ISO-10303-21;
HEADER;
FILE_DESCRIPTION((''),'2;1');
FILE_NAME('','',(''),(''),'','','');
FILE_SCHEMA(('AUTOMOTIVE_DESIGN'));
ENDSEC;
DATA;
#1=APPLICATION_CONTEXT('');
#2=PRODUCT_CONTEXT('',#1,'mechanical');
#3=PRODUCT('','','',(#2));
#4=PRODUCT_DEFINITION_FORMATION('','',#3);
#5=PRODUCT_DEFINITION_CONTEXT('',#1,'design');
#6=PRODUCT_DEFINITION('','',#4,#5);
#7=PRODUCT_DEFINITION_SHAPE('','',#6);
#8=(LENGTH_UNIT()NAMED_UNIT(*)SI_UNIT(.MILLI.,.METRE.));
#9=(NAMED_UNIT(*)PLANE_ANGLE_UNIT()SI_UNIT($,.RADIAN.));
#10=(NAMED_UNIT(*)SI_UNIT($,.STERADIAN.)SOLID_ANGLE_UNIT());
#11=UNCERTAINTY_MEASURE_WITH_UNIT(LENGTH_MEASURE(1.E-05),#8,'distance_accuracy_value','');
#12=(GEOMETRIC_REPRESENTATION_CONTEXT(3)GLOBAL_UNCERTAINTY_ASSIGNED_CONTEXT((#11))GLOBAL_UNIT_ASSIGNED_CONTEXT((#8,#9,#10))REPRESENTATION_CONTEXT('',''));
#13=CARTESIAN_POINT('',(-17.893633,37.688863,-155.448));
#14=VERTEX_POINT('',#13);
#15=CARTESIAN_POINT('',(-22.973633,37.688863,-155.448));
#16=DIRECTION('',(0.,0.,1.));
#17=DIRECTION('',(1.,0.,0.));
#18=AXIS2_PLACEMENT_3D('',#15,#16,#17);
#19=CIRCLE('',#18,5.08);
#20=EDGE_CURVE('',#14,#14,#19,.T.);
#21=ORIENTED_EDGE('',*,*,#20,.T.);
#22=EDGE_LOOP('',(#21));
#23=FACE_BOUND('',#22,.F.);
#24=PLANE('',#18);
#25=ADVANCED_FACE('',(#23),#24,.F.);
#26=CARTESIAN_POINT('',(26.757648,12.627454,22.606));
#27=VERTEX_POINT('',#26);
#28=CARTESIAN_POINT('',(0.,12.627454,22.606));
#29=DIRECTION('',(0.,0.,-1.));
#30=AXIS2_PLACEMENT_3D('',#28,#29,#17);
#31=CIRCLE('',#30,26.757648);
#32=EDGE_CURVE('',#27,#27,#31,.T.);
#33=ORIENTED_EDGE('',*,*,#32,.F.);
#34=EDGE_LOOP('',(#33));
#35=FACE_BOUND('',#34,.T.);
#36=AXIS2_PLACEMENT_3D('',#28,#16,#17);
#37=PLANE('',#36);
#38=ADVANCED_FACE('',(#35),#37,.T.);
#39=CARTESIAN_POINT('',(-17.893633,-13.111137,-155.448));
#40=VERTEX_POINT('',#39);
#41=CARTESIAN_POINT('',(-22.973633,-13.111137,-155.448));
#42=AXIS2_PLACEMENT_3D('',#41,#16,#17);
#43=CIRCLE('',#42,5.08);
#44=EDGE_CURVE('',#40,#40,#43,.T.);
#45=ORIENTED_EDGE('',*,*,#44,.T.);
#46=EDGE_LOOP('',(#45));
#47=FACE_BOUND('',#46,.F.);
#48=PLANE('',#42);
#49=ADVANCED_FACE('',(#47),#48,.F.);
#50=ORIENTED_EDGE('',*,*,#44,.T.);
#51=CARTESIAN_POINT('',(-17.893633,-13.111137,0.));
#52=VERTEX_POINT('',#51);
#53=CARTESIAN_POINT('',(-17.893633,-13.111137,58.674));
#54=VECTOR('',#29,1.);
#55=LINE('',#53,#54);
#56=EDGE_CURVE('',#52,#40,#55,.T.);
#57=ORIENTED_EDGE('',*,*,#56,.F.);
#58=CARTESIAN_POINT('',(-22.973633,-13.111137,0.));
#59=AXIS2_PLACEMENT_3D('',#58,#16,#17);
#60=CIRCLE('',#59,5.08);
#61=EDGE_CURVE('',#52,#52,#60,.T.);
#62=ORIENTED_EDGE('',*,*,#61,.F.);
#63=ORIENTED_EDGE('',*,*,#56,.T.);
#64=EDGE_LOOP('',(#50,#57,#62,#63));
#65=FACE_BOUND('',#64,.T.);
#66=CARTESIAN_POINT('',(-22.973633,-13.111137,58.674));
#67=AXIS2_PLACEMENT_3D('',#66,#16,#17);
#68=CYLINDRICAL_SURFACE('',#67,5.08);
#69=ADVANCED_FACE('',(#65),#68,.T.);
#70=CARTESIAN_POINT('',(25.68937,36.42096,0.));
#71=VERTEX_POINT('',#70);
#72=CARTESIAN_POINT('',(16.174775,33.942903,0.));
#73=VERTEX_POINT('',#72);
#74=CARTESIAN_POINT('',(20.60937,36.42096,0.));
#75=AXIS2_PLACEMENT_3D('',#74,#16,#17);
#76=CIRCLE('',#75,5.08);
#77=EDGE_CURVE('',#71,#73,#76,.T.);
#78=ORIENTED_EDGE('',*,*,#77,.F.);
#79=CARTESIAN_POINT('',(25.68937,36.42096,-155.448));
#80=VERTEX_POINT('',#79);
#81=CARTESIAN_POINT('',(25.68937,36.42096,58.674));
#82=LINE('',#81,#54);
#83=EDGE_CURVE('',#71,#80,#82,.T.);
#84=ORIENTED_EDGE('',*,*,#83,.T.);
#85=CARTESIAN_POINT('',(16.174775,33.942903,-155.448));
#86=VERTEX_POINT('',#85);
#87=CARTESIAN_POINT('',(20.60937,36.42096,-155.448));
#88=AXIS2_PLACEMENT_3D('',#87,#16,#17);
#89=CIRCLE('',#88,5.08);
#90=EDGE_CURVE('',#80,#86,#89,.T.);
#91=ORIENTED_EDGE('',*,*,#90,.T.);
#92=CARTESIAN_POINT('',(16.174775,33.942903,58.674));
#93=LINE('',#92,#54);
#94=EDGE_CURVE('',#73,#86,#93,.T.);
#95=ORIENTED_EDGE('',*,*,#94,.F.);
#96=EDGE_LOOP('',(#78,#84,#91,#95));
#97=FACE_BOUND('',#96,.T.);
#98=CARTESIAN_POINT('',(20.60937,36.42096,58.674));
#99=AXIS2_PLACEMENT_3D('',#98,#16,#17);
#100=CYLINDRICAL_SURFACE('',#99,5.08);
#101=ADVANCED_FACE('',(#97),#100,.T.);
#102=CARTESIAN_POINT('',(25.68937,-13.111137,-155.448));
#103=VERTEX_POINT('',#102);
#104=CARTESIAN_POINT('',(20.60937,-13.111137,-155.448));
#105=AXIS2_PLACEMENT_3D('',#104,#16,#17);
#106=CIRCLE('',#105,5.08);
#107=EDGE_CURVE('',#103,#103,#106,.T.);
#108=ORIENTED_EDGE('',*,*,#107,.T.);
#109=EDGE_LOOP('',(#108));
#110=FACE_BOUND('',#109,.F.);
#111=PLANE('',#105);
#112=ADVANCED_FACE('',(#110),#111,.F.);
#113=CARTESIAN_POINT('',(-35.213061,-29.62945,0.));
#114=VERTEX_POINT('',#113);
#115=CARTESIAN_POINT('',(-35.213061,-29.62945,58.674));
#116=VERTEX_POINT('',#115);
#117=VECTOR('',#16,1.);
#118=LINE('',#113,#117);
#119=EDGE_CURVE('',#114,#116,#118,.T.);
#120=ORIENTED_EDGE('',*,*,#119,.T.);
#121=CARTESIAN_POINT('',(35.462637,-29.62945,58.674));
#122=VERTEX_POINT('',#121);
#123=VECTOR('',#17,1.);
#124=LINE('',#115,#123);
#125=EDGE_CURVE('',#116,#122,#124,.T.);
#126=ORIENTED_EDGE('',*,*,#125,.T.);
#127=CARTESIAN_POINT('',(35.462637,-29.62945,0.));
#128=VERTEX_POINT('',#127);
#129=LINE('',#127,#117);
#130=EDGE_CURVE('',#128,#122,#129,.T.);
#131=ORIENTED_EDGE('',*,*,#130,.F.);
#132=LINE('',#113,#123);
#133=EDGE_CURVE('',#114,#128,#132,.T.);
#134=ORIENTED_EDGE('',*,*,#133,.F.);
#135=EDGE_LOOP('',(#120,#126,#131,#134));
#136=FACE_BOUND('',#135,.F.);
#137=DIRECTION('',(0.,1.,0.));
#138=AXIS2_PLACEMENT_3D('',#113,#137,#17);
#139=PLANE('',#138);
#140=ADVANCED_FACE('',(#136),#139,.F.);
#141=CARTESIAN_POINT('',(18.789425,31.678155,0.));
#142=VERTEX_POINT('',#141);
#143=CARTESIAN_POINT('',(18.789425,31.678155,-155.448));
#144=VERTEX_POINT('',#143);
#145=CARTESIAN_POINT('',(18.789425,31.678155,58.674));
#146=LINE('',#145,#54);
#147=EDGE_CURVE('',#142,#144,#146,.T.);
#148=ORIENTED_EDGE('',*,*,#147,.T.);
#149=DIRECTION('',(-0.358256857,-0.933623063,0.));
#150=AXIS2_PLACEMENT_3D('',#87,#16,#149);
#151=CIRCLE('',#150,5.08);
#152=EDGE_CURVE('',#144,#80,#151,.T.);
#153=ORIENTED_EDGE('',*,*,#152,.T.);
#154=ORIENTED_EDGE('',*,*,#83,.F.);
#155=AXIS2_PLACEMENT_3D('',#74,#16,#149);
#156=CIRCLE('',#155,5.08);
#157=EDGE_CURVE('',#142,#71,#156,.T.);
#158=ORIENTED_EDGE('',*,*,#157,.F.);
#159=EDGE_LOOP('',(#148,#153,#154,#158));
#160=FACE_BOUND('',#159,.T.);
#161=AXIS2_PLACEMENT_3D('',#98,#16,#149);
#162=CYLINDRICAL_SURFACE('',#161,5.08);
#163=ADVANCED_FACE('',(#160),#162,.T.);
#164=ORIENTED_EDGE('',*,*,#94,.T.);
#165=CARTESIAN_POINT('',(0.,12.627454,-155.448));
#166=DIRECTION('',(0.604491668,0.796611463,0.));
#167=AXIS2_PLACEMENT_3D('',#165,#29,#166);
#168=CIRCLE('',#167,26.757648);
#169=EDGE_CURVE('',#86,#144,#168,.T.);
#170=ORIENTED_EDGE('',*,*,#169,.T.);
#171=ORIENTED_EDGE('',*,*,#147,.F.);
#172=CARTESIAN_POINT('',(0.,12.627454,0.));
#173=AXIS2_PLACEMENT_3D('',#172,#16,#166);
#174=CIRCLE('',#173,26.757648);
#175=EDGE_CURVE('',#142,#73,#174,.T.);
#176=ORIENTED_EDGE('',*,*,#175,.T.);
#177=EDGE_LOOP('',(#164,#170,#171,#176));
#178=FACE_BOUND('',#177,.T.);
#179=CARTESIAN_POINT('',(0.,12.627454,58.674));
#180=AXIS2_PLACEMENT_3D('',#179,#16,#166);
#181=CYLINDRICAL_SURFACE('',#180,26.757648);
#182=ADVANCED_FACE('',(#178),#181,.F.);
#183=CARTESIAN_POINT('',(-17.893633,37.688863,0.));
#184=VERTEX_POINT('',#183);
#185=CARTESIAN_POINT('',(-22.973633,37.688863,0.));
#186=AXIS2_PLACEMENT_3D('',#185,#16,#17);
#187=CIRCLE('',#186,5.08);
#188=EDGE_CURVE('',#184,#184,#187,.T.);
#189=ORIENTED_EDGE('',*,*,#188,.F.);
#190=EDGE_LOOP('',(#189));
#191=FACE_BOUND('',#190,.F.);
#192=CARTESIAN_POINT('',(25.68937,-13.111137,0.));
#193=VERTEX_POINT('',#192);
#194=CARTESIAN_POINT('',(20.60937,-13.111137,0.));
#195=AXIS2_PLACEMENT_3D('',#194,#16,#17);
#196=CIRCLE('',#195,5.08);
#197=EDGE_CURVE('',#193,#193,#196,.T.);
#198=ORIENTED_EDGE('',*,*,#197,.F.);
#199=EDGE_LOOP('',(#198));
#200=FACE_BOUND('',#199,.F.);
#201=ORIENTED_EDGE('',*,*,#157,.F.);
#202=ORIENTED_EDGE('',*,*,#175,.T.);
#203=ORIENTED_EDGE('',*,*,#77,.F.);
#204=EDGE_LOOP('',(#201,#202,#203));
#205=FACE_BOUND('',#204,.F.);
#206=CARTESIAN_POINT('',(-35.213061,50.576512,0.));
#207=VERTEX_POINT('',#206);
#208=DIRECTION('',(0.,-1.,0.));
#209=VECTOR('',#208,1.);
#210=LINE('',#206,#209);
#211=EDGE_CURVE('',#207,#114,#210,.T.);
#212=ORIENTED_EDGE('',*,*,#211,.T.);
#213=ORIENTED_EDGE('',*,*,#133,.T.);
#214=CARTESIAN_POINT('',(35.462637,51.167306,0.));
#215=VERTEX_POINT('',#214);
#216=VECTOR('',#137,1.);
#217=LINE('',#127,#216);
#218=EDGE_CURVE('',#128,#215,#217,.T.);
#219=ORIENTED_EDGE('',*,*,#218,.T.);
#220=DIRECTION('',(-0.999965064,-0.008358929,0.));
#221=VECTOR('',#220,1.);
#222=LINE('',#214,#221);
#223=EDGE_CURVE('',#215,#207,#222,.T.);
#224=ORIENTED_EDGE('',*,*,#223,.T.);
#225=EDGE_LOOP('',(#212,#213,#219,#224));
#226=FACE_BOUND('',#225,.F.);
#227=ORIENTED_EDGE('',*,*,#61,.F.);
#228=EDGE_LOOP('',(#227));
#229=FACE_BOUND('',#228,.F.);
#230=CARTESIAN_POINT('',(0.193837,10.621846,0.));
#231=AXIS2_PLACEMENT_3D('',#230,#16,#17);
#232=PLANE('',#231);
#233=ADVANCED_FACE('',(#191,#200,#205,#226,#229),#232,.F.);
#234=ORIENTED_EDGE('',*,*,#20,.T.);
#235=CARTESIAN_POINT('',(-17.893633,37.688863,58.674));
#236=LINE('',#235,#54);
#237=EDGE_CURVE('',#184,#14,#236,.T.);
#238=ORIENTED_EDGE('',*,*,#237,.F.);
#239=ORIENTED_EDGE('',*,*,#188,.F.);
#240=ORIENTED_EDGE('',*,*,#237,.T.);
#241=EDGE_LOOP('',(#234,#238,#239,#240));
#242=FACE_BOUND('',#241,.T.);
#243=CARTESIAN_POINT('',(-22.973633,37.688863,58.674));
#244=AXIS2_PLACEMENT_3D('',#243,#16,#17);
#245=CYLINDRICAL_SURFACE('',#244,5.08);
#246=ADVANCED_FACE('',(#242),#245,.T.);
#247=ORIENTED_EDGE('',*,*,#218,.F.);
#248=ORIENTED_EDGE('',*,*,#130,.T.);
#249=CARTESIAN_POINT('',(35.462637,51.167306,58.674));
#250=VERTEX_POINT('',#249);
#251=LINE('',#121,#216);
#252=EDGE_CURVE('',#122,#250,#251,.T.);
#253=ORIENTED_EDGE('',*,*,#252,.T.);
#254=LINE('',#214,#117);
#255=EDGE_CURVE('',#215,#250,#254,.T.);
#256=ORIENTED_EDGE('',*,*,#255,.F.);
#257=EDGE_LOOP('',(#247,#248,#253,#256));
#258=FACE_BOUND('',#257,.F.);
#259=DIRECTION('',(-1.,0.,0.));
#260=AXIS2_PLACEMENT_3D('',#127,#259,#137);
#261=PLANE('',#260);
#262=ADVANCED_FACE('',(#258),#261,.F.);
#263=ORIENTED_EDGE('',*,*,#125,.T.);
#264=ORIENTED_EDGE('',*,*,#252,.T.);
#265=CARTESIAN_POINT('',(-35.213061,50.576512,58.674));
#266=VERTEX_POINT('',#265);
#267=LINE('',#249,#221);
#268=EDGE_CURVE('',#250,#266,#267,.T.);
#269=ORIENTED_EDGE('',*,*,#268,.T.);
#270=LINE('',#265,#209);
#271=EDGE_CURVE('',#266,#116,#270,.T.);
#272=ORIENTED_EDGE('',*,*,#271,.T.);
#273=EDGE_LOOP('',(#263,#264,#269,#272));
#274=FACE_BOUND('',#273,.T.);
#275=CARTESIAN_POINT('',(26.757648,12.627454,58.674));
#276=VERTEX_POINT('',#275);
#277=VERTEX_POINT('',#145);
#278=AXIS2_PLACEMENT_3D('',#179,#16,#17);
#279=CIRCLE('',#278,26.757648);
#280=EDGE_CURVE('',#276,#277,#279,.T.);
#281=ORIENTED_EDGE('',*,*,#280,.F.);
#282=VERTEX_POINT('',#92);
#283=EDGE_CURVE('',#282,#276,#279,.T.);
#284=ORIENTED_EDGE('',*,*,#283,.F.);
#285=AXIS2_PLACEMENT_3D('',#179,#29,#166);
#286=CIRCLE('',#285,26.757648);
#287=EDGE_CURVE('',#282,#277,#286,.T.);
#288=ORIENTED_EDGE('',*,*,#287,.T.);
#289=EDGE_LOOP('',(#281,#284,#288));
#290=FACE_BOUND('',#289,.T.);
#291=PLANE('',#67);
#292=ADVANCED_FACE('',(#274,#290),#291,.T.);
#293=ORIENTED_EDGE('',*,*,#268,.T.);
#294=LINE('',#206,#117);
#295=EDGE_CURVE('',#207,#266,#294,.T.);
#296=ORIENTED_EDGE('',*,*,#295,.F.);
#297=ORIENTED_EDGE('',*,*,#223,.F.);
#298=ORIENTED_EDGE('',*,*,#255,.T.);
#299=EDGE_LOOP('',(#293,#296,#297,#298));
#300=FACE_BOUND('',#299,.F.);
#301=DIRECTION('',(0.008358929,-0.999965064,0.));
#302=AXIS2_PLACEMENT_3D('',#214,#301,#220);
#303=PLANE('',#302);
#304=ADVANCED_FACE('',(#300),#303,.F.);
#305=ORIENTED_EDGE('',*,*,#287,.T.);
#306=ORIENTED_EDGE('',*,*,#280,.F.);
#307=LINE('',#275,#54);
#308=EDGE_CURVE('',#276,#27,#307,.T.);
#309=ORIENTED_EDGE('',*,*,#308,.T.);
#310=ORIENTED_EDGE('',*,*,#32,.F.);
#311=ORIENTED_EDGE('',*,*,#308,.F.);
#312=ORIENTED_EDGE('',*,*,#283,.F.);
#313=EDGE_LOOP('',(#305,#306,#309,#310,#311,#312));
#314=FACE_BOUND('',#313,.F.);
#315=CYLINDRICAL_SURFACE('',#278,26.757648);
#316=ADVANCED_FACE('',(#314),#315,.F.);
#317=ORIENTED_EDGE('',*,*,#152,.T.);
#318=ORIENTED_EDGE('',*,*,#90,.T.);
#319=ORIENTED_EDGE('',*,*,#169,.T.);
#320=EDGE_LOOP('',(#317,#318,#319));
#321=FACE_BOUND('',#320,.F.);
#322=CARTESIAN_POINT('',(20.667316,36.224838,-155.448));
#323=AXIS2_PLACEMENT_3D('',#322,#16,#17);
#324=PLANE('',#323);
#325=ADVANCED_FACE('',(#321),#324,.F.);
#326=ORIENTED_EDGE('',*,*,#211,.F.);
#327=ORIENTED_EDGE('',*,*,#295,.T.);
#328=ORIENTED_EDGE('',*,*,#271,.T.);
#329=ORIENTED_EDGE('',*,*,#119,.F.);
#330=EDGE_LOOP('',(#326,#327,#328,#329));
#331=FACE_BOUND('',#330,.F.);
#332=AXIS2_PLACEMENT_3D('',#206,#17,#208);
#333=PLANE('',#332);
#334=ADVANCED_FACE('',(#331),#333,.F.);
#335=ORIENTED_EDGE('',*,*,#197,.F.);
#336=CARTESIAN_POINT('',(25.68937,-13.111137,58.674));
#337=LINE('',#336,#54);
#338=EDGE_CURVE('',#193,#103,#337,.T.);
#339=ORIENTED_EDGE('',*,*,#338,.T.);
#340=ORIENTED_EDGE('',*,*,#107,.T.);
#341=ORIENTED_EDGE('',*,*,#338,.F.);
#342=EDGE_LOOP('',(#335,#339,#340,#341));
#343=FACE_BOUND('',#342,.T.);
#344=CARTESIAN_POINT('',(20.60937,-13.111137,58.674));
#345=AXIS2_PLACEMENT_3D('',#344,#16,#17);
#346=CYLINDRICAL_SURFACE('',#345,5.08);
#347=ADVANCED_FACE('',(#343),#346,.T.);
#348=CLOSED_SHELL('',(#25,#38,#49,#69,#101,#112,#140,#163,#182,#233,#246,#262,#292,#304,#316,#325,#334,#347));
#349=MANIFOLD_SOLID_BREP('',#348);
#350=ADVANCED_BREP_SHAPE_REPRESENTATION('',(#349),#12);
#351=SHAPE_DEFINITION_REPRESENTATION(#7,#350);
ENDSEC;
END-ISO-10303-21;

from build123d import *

# Parameters (mm, degrees)
F1_DEPTH = 58.674
F2_R     = 26.7576481094
F3_DEPTH = 36.068
F4_R     = 5.08
F5_DEPTH = 214.122


with BuildPart() as f1:
    # F0 (on Top) → F1 (new body)
    with BuildSketch(Plane.XY):
        Polygon((35.4626365006, 51.1673055589), (-35.2130606771, 50.5765117705), (-35.2130606771, -29.6294502914), (35.4626365006, -29.6294502914), align=None)
    extrude(amount=F1_DEPTH)

    # F2 (on face) → F3 (cut)
    with BuildSketch(Plane.XY.offset(58.674)):
        with Locations((0, 12.6274535432)):
            Circle(F2_R)
    extrude(amount=-F3_DEPTH, mode=Mode.SUBTRACT)

    # F4 (on face) → F5 (join)
    with BuildSketch(Plane.XY.offset(58.674)):
        with Locations((-22.9736331001, -13.1111371607)):
            Circle(F4_R)
        with Locations((-22.9736331001, 37.6888628393)):
            Circle(F4_R)
        with BuildLine():
            ThreePointArc((18.7894253284, 31.6781550573), (23.486962927, 32.2345703811), (25.6893701616, 36.4209602192))
            ThreePointArc((25.6893701616, 36.4209602192), (19.3290072561, 41.3369617275), (16.1747753466, 33.9429027488))
            ThreePointArc((16.1747753466, 33.9429027488), (17.5187357631, 32.852824482), (18.7894253284, 31.6781550573))
        make_face()
        with Locations((20.6093701616, -13.1111371607)):
            Circle(F4_R)
    extrude(amount=-F5_DEPTH)


solid = f1.part
